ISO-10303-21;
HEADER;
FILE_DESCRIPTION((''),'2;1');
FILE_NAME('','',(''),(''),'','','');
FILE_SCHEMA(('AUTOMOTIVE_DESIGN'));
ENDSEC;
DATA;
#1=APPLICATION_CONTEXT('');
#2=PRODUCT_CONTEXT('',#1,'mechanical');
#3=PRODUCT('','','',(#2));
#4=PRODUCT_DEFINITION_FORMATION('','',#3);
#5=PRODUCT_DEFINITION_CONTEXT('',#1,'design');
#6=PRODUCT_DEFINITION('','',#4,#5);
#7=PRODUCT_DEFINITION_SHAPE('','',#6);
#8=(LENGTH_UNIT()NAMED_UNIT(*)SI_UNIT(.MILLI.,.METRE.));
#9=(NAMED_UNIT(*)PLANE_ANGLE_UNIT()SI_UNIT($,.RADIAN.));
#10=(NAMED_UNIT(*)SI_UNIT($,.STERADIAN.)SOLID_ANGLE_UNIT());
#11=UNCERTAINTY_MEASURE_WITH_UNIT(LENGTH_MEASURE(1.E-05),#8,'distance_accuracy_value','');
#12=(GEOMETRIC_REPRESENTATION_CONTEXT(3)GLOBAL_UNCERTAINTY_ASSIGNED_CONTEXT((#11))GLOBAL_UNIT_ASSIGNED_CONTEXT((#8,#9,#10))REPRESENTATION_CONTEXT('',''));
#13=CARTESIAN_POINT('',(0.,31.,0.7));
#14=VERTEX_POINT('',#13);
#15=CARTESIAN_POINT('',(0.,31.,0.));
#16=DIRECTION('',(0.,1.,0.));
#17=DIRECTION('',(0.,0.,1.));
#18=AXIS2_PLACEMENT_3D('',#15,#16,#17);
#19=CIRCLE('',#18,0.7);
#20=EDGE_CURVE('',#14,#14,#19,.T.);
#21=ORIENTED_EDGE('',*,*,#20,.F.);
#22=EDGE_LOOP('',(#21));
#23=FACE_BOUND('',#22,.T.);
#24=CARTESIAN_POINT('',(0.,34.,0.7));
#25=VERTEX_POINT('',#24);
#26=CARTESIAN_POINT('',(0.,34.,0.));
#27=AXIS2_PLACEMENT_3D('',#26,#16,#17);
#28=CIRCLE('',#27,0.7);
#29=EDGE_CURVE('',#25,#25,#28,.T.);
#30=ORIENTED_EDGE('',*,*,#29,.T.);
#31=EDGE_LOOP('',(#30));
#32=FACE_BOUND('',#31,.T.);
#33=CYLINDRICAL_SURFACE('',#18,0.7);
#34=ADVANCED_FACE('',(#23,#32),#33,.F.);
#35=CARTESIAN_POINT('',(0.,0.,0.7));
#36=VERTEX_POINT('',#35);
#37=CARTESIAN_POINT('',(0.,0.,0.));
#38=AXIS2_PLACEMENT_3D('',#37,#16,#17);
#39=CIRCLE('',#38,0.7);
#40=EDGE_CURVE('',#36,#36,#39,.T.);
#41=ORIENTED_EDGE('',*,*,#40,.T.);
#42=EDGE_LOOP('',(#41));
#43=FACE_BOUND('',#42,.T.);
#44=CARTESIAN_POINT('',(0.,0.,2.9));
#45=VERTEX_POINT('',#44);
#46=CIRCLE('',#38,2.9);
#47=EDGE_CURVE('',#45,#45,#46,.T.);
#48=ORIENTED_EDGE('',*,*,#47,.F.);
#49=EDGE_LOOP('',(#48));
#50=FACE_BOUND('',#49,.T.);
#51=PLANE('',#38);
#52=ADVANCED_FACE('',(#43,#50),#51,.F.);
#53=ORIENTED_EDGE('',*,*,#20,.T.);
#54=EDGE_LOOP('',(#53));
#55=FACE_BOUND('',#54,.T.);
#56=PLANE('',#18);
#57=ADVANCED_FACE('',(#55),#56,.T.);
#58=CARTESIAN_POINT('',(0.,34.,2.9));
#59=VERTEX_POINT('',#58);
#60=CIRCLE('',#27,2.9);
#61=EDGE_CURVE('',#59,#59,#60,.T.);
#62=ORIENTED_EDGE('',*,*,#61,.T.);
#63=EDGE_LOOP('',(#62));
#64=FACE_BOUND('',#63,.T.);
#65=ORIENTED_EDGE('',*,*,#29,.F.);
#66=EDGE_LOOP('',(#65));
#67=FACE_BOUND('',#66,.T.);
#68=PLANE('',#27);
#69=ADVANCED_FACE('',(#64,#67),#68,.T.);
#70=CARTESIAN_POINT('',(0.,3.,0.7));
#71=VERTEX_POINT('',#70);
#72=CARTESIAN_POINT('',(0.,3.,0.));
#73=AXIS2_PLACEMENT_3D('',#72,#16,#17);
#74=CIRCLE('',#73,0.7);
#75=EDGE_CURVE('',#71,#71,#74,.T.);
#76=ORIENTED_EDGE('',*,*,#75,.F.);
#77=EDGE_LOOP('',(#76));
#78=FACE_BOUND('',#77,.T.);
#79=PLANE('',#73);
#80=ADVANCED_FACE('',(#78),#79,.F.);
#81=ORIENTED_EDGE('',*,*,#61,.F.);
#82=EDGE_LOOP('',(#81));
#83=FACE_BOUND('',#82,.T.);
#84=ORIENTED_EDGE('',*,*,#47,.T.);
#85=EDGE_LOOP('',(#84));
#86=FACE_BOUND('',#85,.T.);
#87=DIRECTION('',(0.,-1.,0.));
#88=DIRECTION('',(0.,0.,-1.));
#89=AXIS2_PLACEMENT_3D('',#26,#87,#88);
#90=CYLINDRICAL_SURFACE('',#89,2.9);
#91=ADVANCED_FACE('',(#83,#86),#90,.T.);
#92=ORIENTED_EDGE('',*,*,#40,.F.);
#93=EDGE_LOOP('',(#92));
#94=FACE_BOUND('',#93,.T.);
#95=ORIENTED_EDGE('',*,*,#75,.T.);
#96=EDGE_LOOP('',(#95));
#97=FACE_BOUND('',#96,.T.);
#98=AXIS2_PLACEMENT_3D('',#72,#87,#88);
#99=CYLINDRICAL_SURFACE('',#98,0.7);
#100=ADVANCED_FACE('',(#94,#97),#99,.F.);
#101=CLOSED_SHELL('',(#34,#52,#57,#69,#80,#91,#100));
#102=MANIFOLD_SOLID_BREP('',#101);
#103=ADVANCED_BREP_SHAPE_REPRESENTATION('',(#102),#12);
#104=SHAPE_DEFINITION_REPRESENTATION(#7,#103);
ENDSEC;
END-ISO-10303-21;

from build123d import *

# Parameters (mm, degrees)
SKETCH_4_R          = 2.9
EXTRUDE_1_DEPTH     = 34
SKETCH_4_5_R        = 0.7
CUT_EXTRUDE_1_DEPTH = 3
CUT_EXTRUDE_START   = 31
SKETCH_4_6_R        = 0.7
CUT_EXTRUDE_2_DEPTH = 3


with BuildPart() as part:
    # 草图4 → 凸台-拉伸1 (new body)
    with BuildSketch(Plane(origin=(0, 0, 0), x_dir=(1, 0, 0), z_dir=(0, 1, 0))):
        with Locations(Location((0, 0, 0), (0, 0, 270))):
            Circle(SKETCH_4_R)
    extrude(amount=EXTRUDE_1_DEPTH)

    # 草图4<5> → 切除-拉伸1 (cut)
    with BuildSketch(Plane(origin=(0, 0, 0), x_dir=(1, 0, 0), z_dir=(0, 1, 0))):
        with Locations(Location((0, 0, 0), (0, 0, 270))):
            Circle(SKETCH_4_5_R)
    extrude(amount=CUT_EXTRUDE_1_DEPTH, mode=Mode.SUBTRACT)

    # 草图4<6> → 切除-拉伸2 (cut)
    with BuildSketch(Plane(origin=(0, 0, 0), x_dir=(1, 0, 0), z_dir=(0, 1, 0)).offset(CUT_EXTRUDE_START)):
        with Locations(Location((0, 0, 0), (0, 0, 270))):
            Circle(SKETCH_4_6_R)
    extrude(amount=CUT_EXTRUDE_2_DEPTH, mode=Mode.SUBTRACT)


solid = part.part
